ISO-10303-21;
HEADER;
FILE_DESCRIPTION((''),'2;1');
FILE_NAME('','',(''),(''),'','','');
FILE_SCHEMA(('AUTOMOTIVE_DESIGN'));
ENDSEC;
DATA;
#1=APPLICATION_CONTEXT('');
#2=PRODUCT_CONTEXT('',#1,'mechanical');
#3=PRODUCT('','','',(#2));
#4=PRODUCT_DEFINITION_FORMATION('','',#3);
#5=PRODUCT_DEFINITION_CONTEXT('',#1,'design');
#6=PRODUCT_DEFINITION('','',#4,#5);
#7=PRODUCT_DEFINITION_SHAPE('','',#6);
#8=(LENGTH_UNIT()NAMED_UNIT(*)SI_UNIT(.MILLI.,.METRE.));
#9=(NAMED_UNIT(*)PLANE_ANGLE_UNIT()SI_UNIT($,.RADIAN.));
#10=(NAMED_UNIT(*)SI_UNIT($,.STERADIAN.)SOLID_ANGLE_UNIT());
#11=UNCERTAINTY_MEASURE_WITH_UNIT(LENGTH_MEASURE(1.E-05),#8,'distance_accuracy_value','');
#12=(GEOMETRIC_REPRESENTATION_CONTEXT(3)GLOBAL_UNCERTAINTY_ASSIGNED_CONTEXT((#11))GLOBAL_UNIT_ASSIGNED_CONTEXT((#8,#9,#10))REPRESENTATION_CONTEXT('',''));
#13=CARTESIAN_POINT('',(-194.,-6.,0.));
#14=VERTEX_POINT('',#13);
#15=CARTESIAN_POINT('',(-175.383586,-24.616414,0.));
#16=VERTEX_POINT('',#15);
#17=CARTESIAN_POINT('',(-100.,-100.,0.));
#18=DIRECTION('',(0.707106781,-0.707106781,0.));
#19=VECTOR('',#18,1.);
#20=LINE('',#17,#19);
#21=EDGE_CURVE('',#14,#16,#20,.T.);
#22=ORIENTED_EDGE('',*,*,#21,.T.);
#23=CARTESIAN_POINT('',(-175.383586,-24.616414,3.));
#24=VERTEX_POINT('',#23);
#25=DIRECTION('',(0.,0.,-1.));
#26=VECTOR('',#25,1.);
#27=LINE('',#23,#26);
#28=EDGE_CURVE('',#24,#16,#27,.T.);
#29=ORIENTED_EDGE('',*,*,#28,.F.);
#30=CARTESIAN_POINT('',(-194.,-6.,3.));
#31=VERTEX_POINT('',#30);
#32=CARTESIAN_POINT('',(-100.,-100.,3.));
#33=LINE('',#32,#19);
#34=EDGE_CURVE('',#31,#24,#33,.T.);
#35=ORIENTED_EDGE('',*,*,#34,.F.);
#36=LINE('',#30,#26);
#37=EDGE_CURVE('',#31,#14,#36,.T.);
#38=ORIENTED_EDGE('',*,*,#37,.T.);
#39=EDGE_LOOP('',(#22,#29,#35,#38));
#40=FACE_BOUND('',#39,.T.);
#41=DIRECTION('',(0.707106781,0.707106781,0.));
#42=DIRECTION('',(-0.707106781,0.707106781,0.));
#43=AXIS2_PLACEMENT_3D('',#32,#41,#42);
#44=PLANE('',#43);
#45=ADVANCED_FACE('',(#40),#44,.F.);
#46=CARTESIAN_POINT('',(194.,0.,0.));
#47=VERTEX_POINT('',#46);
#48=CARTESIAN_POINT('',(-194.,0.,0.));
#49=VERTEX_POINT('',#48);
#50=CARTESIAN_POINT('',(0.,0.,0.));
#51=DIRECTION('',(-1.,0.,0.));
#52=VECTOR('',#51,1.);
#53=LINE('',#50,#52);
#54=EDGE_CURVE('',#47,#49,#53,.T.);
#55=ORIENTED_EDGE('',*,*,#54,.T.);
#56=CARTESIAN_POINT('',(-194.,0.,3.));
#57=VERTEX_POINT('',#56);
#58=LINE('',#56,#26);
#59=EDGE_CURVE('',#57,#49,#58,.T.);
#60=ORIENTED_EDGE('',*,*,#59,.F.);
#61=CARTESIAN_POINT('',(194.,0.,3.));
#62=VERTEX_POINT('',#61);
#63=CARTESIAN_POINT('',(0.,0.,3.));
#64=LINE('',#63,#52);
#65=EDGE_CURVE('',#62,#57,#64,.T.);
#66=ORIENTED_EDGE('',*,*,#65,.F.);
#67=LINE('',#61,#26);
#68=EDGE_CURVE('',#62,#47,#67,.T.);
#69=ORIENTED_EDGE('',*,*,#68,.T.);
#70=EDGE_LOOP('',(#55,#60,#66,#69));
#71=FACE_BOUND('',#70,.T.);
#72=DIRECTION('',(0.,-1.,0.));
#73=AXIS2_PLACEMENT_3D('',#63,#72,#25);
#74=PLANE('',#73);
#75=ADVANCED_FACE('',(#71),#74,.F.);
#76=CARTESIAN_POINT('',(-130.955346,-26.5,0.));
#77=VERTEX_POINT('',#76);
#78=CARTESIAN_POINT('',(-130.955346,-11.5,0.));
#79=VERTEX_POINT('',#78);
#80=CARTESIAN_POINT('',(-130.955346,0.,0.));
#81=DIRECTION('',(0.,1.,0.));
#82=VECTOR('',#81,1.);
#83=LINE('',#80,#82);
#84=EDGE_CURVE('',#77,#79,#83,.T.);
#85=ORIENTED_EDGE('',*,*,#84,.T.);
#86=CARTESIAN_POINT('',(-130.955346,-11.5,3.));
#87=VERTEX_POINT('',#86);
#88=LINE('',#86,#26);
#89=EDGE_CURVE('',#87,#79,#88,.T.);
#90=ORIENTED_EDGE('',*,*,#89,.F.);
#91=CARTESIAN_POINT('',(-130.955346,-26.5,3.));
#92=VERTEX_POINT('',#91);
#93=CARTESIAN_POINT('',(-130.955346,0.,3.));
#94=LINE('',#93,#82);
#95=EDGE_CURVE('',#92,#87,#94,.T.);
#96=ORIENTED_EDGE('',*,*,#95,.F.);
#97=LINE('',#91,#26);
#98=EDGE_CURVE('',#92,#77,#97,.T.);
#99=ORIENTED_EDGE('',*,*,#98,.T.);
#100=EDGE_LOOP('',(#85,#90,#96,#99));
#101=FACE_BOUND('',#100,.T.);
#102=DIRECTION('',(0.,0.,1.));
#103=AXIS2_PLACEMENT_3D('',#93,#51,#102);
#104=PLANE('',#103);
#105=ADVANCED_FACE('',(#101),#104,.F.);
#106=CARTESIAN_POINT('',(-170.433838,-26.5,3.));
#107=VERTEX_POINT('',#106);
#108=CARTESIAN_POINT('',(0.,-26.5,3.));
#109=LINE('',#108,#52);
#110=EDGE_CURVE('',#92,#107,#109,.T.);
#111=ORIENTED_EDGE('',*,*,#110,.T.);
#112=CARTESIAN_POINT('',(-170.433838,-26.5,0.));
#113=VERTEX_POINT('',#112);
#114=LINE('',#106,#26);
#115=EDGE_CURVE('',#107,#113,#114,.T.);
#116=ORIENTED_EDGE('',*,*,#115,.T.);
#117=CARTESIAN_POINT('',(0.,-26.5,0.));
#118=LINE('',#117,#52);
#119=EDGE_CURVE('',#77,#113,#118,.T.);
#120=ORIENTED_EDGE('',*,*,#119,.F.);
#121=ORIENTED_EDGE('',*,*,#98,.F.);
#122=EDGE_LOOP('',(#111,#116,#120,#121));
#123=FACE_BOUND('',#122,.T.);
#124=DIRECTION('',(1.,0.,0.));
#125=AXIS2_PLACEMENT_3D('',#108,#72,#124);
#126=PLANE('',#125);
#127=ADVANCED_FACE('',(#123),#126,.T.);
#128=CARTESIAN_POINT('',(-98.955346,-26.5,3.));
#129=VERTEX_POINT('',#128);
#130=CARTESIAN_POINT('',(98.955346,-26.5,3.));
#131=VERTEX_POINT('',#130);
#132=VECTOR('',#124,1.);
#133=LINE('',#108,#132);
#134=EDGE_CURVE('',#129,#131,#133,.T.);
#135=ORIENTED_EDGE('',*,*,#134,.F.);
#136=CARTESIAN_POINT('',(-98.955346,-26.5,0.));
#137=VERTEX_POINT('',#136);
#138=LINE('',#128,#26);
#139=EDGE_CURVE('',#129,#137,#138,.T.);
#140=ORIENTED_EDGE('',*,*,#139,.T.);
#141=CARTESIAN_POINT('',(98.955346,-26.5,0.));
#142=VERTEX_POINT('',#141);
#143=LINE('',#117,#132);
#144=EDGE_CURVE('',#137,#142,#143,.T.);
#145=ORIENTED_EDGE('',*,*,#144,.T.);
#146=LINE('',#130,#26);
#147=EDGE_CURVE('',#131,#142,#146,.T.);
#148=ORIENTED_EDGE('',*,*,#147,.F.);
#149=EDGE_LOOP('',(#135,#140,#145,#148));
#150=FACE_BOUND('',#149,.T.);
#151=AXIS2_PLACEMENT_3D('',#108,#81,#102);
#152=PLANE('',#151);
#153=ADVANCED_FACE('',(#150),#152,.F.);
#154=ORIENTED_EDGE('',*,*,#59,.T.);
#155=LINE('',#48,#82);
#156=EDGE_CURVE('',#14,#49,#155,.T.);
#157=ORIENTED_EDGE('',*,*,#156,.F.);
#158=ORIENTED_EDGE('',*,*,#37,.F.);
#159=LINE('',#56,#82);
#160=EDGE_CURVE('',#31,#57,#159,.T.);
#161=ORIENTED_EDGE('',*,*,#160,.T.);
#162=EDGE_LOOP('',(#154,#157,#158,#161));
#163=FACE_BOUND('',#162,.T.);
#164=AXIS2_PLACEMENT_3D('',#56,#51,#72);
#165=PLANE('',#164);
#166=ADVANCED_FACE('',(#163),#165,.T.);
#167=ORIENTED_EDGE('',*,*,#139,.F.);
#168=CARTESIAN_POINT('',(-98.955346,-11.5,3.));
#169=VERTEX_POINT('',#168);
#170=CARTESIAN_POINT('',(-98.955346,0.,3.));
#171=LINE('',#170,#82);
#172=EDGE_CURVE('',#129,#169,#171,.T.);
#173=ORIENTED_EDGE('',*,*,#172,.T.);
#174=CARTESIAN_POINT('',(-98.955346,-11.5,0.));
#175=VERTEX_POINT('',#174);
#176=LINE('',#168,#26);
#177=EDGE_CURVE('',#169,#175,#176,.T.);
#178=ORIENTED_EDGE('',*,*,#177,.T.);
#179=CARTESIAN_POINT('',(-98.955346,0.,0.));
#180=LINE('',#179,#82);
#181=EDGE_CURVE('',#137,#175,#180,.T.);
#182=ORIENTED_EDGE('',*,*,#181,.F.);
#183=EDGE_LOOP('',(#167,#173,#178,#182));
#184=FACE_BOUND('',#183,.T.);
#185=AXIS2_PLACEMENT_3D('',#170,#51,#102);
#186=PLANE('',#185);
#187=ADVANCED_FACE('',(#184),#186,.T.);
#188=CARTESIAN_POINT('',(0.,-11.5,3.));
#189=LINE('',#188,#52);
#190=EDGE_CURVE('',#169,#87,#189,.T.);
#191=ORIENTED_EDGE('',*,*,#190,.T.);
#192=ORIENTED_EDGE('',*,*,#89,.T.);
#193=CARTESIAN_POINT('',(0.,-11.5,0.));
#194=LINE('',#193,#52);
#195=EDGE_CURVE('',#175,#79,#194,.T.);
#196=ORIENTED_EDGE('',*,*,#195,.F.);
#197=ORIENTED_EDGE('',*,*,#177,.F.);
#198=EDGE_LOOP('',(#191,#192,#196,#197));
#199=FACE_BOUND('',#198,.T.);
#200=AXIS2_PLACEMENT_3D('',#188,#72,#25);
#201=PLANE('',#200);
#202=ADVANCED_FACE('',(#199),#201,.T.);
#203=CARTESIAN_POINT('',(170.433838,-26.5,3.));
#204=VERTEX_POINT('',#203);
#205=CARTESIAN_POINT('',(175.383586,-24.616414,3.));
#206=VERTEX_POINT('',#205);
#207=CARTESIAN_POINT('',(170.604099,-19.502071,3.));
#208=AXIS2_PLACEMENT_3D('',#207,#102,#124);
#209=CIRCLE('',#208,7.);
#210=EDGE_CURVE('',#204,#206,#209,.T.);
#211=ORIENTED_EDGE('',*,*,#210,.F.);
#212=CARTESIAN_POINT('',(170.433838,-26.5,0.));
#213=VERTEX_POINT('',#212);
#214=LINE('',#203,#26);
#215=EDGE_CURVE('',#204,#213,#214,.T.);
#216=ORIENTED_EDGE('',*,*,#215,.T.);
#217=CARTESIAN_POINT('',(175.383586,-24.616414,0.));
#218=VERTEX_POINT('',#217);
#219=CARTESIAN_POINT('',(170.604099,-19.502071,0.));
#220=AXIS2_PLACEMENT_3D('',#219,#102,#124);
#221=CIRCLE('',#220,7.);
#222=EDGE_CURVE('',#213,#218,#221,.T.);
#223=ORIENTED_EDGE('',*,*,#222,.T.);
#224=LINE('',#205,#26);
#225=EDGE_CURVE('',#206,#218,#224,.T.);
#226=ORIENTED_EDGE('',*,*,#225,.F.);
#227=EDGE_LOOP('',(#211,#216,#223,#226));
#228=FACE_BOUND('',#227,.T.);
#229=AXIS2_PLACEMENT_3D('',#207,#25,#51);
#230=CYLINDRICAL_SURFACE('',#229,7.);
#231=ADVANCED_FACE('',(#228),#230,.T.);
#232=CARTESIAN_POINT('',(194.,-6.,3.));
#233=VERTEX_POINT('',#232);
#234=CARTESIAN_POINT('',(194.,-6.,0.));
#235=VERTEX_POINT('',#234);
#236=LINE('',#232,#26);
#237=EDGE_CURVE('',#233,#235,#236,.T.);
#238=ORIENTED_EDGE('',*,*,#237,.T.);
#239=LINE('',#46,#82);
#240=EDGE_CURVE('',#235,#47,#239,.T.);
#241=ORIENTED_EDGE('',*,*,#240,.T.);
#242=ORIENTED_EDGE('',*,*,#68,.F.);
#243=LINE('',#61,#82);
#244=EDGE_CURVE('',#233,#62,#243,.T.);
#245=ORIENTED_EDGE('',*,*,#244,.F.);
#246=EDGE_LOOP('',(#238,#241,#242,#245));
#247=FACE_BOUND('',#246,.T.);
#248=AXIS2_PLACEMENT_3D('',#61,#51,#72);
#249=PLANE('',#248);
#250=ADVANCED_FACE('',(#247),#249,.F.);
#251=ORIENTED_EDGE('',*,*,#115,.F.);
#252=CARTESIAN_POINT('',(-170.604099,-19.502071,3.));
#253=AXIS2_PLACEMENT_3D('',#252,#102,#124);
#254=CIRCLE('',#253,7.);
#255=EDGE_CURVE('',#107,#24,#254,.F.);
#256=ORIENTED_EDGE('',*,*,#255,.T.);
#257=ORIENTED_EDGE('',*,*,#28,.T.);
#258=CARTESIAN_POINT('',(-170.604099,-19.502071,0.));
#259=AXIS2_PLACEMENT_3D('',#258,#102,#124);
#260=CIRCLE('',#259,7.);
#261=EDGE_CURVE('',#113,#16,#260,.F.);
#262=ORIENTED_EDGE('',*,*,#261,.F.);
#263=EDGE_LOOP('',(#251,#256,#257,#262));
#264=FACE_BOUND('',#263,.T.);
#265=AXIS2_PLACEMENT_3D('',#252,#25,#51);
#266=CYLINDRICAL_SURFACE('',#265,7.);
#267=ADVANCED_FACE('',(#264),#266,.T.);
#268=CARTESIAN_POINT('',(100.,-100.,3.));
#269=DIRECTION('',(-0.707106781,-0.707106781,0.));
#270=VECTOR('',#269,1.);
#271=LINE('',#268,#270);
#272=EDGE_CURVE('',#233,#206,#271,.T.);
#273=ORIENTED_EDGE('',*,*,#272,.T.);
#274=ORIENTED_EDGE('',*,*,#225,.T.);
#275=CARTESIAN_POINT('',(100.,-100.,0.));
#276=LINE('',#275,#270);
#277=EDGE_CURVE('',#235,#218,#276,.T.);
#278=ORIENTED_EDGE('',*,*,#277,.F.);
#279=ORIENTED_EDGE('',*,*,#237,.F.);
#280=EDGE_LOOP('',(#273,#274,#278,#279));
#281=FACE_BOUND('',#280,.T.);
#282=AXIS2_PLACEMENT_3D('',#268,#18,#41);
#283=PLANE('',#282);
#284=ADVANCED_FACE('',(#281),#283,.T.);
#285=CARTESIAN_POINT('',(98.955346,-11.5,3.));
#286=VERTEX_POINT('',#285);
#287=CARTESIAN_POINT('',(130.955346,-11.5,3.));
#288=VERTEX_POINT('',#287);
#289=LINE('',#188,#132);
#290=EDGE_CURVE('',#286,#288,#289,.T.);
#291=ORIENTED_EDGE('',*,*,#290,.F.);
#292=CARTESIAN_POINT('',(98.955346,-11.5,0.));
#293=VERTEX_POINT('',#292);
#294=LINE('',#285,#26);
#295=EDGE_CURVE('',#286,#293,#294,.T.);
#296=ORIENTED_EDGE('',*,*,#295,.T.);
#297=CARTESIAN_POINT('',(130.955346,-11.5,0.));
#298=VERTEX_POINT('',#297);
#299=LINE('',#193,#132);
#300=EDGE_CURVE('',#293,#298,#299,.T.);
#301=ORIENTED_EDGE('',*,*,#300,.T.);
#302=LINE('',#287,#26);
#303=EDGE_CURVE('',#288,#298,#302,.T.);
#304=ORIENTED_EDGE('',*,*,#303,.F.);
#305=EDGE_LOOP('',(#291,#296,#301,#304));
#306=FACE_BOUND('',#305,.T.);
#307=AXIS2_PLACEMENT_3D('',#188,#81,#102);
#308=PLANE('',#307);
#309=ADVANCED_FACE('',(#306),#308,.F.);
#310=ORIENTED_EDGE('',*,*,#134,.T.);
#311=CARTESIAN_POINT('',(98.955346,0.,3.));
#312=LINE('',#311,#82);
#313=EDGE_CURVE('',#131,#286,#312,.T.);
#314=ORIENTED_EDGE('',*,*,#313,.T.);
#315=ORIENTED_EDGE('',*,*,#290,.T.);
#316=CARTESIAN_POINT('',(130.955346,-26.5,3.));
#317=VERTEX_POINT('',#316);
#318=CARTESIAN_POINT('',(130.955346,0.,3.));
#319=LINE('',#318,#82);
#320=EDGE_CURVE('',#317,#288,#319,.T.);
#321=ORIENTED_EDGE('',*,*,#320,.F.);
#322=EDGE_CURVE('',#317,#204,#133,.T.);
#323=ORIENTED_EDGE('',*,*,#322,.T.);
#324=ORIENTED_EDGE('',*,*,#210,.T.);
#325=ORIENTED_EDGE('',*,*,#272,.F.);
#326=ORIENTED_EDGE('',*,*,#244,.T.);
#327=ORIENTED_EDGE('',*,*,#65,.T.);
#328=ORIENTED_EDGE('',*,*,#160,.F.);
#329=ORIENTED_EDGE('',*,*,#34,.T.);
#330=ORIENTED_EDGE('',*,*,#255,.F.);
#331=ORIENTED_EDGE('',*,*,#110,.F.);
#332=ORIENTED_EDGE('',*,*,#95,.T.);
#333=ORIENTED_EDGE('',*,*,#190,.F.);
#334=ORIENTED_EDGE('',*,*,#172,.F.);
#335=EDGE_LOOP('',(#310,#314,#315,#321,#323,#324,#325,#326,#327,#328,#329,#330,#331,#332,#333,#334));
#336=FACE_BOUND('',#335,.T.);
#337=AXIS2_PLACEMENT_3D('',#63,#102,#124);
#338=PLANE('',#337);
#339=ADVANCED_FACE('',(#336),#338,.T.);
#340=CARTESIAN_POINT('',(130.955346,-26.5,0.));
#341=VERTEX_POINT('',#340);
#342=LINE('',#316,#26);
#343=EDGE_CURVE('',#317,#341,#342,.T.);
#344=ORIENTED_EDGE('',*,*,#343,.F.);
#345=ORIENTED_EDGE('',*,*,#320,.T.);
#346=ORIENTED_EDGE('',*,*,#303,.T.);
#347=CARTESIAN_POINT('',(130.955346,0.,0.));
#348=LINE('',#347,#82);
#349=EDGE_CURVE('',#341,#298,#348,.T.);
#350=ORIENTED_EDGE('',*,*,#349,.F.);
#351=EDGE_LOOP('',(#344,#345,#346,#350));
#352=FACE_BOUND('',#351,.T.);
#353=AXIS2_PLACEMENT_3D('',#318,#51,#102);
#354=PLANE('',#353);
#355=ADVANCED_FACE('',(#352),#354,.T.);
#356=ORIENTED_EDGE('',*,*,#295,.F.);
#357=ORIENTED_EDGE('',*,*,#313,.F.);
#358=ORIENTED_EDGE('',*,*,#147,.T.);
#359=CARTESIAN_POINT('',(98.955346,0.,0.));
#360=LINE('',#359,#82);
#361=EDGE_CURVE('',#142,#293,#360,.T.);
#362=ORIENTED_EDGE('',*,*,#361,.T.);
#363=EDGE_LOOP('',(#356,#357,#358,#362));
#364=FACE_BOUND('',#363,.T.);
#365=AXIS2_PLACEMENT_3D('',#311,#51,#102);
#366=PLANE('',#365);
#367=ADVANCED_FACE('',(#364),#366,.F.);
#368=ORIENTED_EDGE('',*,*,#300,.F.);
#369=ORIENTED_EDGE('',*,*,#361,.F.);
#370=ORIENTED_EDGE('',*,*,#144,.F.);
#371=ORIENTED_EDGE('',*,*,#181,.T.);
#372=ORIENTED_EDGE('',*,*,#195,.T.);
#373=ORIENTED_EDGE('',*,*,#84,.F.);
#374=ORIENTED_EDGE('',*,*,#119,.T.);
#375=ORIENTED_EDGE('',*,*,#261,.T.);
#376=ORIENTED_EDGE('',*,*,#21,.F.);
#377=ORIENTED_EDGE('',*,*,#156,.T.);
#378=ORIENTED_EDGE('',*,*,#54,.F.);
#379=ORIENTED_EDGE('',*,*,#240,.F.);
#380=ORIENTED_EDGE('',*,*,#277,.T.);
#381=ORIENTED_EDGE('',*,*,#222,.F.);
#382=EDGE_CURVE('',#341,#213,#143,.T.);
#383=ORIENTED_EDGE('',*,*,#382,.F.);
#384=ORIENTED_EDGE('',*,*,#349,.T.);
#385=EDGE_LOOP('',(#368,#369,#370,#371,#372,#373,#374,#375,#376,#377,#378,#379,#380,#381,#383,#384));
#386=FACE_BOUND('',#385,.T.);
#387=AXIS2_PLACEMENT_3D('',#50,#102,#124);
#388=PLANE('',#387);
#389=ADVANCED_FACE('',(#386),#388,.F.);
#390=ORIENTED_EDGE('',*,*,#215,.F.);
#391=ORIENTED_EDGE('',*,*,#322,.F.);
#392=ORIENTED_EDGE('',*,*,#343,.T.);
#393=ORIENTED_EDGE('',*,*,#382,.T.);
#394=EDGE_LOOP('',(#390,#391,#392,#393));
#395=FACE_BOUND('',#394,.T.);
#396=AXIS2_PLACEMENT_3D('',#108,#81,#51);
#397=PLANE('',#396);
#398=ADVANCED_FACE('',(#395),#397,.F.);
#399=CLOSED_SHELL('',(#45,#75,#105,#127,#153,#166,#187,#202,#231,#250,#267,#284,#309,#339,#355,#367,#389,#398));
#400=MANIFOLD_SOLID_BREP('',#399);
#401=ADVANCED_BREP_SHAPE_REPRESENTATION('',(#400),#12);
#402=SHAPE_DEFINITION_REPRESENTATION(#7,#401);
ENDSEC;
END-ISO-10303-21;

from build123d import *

# Parameters (mm, degrees)
BOSS_EXTRUDE1_DEPTH = 3


with BuildPart() as part:
    # Sketch1 → Boss-Extrude1 (new body)
    with BuildSketch(Plane.XY):
        with BuildLine():
            Line((130.955345629, -26.5), (170.433838397, -26.5))
            ThreePointArc((170.433838397, -26.5), (173.093720589, -26.044378238), (175.383585865, -24.616414135))
            Line((175.383585865, -24.616414135), (194, -6))
            Line((194, -6), (194, 0))
            Line((194, 0), (-194, 0))
            Line((-194, 0), (-194, -6))
            Line((-194, -6), (-175.383585865, -24.616414135))
            ThreePointArc((-175.383585865, -24.616414135), (-173.093720589, -26.044378238), (-170.433838397, -26.5))
            Line((-170.433838397, -26.5), (-130.955345629, -26.5))
            Line((-130.955345629, -26.5), (-130.955345629, -11.5))
            Line((-130.955345629, -11.5), (-98.955345629, -11.5))
            Line((-98.955345629, -11.5), (-98.955345629, -26.5))
            Line((-98.955345629, -26.5), (98.955345629, -26.5))
            Line((98.955345629, -26.5), (98.955345629, -11.5))
            Line((98.955345629, -11.5), (130.955345629, -11.5))
            Line((130.955345629, -11.5), (130.955345629, -26.5))
        make_face()
    extrude(amount=BOSS_EXTRUDE1_DEPTH)


solid = part.part
